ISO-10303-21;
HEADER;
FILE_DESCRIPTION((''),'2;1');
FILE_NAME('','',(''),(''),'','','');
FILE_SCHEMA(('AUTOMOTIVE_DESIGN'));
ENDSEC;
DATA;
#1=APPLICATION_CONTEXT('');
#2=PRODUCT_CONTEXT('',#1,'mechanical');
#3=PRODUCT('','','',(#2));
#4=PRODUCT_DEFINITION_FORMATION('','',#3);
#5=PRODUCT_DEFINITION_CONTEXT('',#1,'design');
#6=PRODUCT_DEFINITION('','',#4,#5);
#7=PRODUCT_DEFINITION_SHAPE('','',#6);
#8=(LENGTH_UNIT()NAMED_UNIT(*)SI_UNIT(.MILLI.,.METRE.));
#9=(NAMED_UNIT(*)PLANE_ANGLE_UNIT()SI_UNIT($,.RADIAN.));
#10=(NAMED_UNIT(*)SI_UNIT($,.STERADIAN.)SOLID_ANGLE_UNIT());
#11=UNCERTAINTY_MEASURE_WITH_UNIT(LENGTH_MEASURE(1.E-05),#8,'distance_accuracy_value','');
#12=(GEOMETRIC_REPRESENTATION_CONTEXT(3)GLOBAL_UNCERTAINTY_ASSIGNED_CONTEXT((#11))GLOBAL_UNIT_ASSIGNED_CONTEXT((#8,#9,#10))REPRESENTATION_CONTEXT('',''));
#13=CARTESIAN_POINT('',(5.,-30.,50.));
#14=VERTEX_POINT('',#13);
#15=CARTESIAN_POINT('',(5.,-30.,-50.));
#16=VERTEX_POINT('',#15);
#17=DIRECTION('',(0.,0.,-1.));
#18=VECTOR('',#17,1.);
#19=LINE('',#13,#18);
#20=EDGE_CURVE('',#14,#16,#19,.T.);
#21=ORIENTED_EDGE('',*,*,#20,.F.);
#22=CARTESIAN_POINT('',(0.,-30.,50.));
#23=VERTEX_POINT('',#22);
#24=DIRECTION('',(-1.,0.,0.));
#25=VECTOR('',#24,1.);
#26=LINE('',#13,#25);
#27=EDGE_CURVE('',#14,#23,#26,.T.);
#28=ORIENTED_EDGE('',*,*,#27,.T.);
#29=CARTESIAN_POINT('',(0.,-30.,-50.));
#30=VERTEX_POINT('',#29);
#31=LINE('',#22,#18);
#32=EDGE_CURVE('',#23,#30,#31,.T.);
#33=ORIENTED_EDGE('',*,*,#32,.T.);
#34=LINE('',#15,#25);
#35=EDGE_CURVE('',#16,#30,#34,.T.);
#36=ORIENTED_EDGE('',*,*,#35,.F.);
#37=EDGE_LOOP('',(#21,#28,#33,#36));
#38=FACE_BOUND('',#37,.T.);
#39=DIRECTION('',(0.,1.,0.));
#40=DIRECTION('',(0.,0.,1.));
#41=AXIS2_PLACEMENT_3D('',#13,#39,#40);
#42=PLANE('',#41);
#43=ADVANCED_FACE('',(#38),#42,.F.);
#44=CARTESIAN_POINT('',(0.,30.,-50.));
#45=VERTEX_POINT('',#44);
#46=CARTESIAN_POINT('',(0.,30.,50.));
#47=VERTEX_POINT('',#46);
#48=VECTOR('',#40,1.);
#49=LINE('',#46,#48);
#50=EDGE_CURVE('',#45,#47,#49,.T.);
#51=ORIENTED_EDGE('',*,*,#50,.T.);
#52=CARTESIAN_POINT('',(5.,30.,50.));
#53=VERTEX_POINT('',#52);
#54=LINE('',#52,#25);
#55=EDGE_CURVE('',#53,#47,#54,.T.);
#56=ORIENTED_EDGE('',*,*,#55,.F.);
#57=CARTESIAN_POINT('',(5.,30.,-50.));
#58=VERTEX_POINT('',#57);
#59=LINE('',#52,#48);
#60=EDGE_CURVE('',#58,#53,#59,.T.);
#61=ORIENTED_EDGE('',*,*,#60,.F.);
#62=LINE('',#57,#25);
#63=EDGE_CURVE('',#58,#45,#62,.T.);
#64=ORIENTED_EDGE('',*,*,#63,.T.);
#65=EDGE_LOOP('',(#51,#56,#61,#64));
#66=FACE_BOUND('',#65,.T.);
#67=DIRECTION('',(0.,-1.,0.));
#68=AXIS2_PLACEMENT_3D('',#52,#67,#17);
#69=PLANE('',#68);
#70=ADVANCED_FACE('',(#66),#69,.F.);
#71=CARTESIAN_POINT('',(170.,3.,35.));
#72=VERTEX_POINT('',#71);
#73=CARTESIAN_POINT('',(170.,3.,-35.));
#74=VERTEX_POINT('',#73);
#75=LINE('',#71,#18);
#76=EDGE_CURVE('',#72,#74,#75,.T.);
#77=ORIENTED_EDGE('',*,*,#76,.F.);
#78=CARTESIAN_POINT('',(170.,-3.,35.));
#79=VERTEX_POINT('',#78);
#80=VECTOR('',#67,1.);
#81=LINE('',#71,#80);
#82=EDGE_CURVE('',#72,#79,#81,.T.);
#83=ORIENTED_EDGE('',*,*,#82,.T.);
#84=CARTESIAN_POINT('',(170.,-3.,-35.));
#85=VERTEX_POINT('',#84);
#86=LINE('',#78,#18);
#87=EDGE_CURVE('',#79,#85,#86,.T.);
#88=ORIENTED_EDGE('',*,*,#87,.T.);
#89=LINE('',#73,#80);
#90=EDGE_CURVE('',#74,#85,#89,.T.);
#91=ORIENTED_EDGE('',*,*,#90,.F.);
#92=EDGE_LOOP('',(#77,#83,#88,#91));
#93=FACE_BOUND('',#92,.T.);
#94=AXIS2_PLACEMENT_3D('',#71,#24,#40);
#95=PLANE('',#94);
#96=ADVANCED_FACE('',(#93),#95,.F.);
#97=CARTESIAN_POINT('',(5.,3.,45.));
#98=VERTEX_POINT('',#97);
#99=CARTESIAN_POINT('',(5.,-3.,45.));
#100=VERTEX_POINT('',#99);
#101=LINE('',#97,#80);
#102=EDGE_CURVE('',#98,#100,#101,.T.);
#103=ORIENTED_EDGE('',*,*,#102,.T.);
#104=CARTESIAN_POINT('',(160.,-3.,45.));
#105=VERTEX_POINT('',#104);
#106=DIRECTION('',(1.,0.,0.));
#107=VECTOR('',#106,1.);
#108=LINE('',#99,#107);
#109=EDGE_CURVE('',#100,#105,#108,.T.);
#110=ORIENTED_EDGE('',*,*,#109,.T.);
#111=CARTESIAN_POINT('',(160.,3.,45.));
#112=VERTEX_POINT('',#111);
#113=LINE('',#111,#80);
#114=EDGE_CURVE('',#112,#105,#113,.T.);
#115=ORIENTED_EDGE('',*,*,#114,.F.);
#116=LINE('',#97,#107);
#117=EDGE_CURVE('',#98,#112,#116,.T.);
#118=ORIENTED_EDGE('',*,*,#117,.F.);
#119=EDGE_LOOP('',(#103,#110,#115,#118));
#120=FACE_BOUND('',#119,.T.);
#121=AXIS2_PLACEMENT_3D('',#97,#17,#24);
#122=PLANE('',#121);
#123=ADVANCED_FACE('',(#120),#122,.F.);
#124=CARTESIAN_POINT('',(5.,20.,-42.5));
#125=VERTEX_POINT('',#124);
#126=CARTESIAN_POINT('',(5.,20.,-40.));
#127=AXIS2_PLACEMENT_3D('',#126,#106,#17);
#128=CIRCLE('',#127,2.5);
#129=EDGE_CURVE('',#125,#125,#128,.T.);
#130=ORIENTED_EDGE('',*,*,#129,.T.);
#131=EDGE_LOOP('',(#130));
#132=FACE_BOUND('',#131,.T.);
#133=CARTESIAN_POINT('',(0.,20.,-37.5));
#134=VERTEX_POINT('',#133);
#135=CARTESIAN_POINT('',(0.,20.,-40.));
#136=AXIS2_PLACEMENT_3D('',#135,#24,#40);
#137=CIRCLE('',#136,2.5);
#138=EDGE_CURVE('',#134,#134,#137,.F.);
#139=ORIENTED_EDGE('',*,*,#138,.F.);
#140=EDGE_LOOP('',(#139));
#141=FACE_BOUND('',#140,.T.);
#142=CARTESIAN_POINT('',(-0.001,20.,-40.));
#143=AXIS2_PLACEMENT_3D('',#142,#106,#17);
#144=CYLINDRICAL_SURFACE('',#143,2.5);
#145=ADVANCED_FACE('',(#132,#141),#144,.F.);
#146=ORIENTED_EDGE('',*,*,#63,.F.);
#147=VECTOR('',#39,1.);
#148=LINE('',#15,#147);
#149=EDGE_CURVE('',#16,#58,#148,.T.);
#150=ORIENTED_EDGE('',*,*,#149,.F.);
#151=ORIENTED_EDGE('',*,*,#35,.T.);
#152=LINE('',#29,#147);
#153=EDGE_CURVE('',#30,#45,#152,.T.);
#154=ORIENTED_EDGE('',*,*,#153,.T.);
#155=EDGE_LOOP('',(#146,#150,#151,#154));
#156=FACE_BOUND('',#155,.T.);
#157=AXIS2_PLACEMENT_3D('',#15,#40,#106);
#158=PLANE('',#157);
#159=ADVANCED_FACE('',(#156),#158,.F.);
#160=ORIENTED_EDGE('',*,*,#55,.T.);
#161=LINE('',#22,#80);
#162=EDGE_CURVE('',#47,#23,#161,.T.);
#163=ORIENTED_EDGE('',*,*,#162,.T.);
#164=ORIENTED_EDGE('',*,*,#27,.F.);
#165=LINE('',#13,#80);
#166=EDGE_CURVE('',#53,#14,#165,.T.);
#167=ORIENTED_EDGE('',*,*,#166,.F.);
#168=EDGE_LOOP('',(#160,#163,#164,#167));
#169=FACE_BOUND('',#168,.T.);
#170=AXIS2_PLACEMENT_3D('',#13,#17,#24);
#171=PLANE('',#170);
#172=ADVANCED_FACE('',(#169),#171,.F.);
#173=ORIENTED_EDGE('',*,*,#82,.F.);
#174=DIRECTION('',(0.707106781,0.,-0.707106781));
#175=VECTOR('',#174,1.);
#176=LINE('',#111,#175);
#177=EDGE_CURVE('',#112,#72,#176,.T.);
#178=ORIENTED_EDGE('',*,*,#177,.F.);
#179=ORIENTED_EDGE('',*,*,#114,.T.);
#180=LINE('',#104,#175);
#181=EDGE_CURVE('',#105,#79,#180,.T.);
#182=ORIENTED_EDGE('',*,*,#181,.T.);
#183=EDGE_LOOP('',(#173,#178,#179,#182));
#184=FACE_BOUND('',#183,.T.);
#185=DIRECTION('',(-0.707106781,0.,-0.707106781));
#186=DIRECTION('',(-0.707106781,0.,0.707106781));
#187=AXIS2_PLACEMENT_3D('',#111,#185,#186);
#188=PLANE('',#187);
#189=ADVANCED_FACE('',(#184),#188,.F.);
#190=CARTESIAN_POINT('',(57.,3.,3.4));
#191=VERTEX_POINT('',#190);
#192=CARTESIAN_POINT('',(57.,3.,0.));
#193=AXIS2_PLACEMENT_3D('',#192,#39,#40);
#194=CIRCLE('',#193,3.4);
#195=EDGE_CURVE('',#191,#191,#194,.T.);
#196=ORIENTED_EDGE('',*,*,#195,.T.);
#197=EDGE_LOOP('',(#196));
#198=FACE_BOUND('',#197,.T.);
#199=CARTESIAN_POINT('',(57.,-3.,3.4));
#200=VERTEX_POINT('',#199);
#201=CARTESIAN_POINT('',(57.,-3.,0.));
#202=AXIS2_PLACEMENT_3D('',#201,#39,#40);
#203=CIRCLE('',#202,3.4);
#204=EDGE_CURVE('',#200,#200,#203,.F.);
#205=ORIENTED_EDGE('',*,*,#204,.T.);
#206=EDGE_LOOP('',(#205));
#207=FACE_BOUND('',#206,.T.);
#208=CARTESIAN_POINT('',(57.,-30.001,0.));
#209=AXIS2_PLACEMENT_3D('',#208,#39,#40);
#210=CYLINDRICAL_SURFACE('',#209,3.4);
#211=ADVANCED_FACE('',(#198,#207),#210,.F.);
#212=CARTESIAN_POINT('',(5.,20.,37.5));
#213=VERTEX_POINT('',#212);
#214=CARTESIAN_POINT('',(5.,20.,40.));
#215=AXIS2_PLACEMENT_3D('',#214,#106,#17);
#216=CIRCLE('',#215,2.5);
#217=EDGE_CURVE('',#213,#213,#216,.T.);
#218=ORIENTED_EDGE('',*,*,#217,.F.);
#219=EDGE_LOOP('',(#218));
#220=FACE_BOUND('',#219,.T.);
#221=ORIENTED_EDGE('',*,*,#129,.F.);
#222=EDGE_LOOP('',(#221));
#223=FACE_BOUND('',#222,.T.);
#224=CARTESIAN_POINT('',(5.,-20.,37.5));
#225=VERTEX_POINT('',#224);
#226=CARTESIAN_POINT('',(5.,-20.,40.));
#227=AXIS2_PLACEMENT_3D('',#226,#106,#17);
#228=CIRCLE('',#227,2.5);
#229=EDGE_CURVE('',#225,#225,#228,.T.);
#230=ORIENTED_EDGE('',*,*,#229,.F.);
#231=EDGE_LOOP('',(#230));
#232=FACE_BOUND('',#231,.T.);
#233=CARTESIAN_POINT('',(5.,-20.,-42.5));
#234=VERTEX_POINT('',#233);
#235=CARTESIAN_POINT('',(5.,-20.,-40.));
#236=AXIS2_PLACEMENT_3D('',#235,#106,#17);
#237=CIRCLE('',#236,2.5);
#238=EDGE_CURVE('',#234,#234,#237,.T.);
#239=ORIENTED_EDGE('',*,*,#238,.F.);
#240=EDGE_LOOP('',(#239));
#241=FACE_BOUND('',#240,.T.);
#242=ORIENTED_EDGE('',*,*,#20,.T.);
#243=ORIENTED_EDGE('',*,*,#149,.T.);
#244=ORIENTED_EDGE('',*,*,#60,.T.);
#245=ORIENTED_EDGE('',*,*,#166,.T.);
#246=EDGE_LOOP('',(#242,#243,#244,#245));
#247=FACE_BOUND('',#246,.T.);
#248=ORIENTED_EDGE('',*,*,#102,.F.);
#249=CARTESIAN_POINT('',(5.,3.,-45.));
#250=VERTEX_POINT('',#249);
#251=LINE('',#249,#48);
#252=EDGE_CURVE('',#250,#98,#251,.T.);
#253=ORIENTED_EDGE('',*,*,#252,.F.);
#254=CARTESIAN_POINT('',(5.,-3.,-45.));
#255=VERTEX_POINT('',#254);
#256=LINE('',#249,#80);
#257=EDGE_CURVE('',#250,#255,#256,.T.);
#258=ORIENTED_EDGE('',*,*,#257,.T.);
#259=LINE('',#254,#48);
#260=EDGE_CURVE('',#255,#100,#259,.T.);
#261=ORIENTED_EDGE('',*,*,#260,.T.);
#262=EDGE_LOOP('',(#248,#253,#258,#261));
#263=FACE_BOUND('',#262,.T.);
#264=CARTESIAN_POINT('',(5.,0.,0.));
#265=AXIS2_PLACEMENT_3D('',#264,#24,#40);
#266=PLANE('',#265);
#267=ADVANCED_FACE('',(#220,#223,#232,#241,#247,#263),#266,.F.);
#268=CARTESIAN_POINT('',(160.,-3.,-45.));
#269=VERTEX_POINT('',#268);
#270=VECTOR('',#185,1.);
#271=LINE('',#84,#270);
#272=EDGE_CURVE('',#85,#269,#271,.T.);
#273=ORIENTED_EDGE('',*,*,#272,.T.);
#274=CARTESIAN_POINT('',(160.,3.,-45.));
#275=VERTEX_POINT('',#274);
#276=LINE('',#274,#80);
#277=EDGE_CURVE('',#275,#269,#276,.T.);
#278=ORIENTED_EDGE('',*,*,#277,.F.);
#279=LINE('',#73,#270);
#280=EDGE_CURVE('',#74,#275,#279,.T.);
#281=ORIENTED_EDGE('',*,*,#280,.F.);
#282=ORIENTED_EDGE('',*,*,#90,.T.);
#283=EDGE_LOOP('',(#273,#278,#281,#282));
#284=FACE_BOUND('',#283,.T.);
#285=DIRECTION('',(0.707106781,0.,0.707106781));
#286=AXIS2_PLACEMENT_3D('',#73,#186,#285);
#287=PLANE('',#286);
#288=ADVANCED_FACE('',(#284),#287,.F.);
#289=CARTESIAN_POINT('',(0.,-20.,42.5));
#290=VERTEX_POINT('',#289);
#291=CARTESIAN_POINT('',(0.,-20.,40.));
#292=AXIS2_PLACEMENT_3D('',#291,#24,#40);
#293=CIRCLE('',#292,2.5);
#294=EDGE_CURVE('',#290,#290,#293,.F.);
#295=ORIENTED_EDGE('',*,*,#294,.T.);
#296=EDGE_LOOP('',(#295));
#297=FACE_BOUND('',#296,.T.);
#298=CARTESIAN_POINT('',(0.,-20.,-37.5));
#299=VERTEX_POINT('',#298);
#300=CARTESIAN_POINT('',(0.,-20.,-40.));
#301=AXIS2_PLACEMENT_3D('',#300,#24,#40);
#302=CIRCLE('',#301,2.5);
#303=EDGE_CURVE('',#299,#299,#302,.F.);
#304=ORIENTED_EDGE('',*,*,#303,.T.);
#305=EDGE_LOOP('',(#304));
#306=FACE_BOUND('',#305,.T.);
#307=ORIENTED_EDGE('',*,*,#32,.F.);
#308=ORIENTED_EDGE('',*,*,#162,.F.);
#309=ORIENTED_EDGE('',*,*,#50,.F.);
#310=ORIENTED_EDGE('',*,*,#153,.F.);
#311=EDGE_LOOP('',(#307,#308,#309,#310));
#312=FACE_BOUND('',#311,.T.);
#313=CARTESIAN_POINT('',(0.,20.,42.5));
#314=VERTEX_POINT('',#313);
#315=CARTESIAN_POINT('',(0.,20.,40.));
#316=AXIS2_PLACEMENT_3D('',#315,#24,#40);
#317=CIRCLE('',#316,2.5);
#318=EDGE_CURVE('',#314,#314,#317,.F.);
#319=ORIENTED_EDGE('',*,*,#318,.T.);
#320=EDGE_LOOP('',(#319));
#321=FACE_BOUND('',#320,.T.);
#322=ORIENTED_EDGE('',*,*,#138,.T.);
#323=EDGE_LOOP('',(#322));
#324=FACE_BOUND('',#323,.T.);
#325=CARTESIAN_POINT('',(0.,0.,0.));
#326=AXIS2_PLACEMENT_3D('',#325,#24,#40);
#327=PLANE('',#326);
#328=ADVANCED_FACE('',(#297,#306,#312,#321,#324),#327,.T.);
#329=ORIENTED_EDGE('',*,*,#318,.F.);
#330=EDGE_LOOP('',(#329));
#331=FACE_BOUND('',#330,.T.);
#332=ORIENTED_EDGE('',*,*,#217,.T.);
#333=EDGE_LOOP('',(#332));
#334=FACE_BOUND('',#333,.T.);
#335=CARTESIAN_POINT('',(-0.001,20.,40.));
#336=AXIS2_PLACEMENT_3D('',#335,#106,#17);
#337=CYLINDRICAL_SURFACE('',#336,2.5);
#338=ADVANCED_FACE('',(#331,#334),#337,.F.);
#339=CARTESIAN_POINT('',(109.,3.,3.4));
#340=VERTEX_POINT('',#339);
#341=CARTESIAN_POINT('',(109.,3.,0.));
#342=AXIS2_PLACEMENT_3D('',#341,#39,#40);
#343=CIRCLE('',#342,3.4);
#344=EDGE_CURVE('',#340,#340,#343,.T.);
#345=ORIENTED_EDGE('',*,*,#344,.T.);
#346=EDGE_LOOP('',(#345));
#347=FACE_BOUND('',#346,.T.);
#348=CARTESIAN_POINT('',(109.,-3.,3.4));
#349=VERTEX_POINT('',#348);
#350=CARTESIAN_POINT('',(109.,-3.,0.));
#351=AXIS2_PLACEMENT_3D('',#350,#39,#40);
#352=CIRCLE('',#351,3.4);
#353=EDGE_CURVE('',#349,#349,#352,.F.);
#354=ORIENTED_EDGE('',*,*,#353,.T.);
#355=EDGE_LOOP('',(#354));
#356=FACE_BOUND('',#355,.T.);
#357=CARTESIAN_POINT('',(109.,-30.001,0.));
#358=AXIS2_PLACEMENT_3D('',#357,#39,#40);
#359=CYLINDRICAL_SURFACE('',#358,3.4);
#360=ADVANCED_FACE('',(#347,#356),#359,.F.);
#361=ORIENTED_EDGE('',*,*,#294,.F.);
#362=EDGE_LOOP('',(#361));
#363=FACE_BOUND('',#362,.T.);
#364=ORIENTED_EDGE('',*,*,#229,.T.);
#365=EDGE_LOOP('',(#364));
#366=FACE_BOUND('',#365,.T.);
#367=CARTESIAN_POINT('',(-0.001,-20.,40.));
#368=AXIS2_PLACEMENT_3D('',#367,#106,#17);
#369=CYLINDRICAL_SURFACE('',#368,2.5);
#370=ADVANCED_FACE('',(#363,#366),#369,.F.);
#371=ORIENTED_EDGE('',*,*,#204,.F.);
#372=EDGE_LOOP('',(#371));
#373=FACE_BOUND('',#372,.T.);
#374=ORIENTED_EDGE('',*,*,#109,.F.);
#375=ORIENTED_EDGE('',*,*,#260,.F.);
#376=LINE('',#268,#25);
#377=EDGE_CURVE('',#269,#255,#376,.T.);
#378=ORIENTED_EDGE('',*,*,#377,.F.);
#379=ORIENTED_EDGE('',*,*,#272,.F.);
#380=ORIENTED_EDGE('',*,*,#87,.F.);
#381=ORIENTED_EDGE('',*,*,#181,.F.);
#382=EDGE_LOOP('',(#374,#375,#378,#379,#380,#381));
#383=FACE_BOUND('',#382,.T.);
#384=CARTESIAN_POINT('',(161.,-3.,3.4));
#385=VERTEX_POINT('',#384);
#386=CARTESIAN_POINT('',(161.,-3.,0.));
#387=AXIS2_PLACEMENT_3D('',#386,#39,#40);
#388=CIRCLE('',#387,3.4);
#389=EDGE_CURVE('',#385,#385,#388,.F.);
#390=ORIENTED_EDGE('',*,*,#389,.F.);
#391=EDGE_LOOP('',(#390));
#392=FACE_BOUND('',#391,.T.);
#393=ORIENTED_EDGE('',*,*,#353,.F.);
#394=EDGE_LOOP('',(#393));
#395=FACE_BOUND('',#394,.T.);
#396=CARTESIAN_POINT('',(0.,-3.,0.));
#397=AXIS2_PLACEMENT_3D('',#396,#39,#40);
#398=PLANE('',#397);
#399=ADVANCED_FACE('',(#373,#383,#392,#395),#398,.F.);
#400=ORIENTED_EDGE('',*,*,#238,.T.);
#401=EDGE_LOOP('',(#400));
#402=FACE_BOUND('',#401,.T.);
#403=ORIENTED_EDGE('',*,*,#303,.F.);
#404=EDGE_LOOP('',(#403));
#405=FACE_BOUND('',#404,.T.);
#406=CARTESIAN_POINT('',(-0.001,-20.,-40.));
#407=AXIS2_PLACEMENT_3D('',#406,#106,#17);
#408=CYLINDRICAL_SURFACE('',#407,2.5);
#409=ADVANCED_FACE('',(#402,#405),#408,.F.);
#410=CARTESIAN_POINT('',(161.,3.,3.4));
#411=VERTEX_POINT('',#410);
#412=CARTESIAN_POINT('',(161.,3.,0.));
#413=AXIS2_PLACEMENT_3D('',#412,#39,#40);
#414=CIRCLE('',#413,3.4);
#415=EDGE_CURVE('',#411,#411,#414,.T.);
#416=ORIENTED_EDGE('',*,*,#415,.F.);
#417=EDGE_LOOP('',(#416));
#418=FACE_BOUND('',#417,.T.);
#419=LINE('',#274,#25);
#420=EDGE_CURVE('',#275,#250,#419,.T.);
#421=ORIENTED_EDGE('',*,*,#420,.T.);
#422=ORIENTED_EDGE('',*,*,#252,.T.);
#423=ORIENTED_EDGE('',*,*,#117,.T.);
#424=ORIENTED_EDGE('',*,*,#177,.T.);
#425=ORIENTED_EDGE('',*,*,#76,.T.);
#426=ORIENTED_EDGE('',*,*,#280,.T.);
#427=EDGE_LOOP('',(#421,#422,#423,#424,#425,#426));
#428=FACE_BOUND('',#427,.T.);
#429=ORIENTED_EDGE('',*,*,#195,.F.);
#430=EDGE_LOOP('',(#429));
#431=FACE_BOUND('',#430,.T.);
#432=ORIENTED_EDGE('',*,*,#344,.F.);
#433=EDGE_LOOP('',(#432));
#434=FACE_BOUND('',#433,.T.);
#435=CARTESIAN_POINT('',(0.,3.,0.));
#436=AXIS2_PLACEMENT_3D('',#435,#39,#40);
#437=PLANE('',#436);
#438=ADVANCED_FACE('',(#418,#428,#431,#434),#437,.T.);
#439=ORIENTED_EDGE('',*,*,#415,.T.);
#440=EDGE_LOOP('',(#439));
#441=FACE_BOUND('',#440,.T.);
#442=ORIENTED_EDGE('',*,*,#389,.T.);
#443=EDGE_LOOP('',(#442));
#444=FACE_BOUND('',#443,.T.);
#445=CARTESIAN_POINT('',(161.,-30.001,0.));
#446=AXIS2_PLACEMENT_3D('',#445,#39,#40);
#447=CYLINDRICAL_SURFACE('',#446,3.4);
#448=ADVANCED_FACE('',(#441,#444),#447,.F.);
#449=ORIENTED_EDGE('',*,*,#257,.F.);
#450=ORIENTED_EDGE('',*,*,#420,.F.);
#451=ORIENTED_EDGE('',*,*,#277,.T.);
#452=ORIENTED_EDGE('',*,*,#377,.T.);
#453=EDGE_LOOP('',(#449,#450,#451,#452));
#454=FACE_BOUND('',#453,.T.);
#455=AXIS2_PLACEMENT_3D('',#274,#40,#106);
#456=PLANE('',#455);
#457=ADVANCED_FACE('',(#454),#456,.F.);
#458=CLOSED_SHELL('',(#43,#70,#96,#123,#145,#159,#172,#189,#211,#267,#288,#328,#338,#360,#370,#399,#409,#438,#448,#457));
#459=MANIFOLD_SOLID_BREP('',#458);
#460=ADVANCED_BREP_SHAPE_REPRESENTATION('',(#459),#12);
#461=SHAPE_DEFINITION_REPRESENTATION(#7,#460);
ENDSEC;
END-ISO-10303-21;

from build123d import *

# Parameters (mm, degrees)
SKETCH_1_W          = 100
SKETCH_1_H          = 60
EXTRUDE_1_DEPTH     = 5
CUT_EXTRUDE_1_REACH = 7
SKETCH_2_R          = 2.5
EXTRUDE_2_DEPTH     = 3
CUT_EXTRUDE_2_REACH = 35
SKETCH_4_R          = 3.4


with BuildPart() as part:
    # 스케치1 → 보스-돌출1 (new body)
    with BuildSketch(Plane(origin=(0, 0, 0), x_dir=(0, 0, -1), z_dir=(1, 0, 0))):
        Rectangle(SKETCH_1_W, SKETCH_1_H)
    extrude(amount=EXTRUDE_1_DEPTH)

    # 스케치2 → 컷-돌출1 (cut, up to next)
    with BuildSketch(Plane(origin=(5, 0, 0), x_dir=(0, 0, -1), z_dir=(1, 0, 0)), mode=Mode.PRIVATE) as cut_extrude_1_sk1:
        with Locations((-40, 20)):
            Circle(SKETCH_2_R)
    cut_extrude_1_tool1 = extrude(cut_extrude_1_sk1.sketch, amount=-CUT_EXTRUDE_1_REACH, mode=Mode.PRIVATE) & part.part
    add(cut_extrude_1_tool1.solids().sort_by_distance((5, 20, 40))[0], mode=Mode.SUBTRACT)
    # 스케치2 → 컷-돌출1 (cut, up to next)
    with BuildSketch(Plane(origin=(5, 0, 0), x_dir=(0, 0, -1), z_dir=(1, 0, 0)), mode=Mode.PRIVATE) as cut_extrude_1_sk2:
        with Locations((-40, -20)):
            Circle(SKETCH_2_R)
    cut_extrude_1_tool2 = extrude(cut_extrude_1_sk2.sketch, amount=-CUT_EXTRUDE_1_REACH, mode=Mode.PRIVATE) & part.part
    add(cut_extrude_1_tool2.solids().sort_by_distance((5, -20, 40))[0], mode=Mode.SUBTRACT)
    # 스케치2 → 컷-돌출1 (cut, up to next)
    with BuildSketch(Plane(origin=(5, 0, 0), x_dir=(0, 0, -1), z_dir=(1, 0, 0)), mode=Mode.PRIVATE) as cut_extrude_1_sk3:
        with Locations((40, -20)):
            Circle(SKETCH_2_R)
    cut_extrude_1_tool3 = extrude(cut_extrude_1_sk3.sketch, amount=-CUT_EXTRUDE_1_REACH, mode=Mode.PRIVATE) & part.part
    add(cut_extrude_1_tool3.solids().sort_by_distance((5, -20, -40))[0], mode=Mode.SUBTRACT)
    # 스케치2 → 컷-돌출1 (cut, up to next)
    with BuildSketch(Plane(origin=(5, 0, 0), x_dir=(0, 0, -1), z_dir=(1, 0, 0)), mode=Mode.PRIVATE) as cut_extrude_1_sk4:
        with Locations((40, 20)):
            Circle(SKETCH_2_R)
    cut_extrude_1_tool4 = extrude(cut_extrude_1_sk4.sketch, amount=-CUT_EXTRUDE_1_REACH, mode=Mode.PRIVATE) & part.part
    add(cut_extrude_1_tool4.solids().sort_by_distance((5, 20, -40))[0], mode=Mode.SUBTRACT)

    # 스케치3 → 보스-돌출2 (add, symmetric)
    with BuildSketch(Plane(origin=(0, 0, 0), x_dir=(1, 0, 0), z_dir=(0, 1, 0))):
        Polygon((170, 35), (160, 45), (5, 45), (5, -45), (160, -45), (170, -35), align=None)
    extrude(amount=EXTRUDE_2_DEPTH, both=True)

    # 스케치4 → 컷-돌출2 (cut, up to next)
    with BuildSketch(Plane(origin=(0, 3, 0), x_dir=(1, 0, 0), z_dir=(0, 1, 0)), mode=Mode.PRIVATE) as cut_extrude_2_sk1:
        with Locations(Location((57, 0, 0), (0, 0, 270))):  # turned: the seam where the file's is
            Circle(SKETCH_4_R)
    cut_extrude_2_tool1 = extrude(cut_extrude_2_sk1.sketch, amount=-CUT_EXTRUDE_2_REACH, mode=Mode.PRIVATE) & part.part
    add(cut_extrude_2_tool1.solids().sort_by_distance((57, 3, 0))[0], mode=Mode.SUBTRACT)
    # 스케치4 → 컷-돌출2 (cut, up to next)
    with BuildSketch(Plane(origin=(0, 3, 0), x_dir=(1, 0, 0), z_dir=(0, 1, 0)), mode=Mode.PRIVATE) as cut_extrude_2_sk2:
        with Locations(Location((109, 0, 0), (0, 0, 270))):  # turned: the seam where the file's is
            Circle(SKETCH_4_R)
    cut_extrude_2_tool2 = extrude(cut_extrude_2_sk2.sketch, amount=-CUT_EXTRUDE_2_REACH, mode=Mode.PRIVATE) & part.part
    add(cut_extrude_2_tool2.solids().sort_by_distance((109, 3, 0))[0], mode=Mode.SUBTRACT)
    # 스케치4 → 컷-돌출2 (cut, up to next)
    with BuildSketch(Plane(origin=(0, 3, 0), x_dir=(1, 0, 0), z_dir=(0, 1, 0)), mode=Mode.PRIVATE) as cut_extrude_2_sk3:
        with Locations(Location((161, 0, 0), (0, 0, 270))):  # turned: the seam where the file's is
            Circle(SKETCH_4_R)
    cut_extrude_2_tool3 = extrude(cut_extrude_2_sk3.sketch, amount=-CUT_EXTRUDE_2_REACH, mode=Mode.PRIVATE) & part.part
    add(cut_extrude_2_tool3.solids().sort_by_distance((161, 3, 0))[0], mode=Mode.SUBTRACT)


solid = part.part
